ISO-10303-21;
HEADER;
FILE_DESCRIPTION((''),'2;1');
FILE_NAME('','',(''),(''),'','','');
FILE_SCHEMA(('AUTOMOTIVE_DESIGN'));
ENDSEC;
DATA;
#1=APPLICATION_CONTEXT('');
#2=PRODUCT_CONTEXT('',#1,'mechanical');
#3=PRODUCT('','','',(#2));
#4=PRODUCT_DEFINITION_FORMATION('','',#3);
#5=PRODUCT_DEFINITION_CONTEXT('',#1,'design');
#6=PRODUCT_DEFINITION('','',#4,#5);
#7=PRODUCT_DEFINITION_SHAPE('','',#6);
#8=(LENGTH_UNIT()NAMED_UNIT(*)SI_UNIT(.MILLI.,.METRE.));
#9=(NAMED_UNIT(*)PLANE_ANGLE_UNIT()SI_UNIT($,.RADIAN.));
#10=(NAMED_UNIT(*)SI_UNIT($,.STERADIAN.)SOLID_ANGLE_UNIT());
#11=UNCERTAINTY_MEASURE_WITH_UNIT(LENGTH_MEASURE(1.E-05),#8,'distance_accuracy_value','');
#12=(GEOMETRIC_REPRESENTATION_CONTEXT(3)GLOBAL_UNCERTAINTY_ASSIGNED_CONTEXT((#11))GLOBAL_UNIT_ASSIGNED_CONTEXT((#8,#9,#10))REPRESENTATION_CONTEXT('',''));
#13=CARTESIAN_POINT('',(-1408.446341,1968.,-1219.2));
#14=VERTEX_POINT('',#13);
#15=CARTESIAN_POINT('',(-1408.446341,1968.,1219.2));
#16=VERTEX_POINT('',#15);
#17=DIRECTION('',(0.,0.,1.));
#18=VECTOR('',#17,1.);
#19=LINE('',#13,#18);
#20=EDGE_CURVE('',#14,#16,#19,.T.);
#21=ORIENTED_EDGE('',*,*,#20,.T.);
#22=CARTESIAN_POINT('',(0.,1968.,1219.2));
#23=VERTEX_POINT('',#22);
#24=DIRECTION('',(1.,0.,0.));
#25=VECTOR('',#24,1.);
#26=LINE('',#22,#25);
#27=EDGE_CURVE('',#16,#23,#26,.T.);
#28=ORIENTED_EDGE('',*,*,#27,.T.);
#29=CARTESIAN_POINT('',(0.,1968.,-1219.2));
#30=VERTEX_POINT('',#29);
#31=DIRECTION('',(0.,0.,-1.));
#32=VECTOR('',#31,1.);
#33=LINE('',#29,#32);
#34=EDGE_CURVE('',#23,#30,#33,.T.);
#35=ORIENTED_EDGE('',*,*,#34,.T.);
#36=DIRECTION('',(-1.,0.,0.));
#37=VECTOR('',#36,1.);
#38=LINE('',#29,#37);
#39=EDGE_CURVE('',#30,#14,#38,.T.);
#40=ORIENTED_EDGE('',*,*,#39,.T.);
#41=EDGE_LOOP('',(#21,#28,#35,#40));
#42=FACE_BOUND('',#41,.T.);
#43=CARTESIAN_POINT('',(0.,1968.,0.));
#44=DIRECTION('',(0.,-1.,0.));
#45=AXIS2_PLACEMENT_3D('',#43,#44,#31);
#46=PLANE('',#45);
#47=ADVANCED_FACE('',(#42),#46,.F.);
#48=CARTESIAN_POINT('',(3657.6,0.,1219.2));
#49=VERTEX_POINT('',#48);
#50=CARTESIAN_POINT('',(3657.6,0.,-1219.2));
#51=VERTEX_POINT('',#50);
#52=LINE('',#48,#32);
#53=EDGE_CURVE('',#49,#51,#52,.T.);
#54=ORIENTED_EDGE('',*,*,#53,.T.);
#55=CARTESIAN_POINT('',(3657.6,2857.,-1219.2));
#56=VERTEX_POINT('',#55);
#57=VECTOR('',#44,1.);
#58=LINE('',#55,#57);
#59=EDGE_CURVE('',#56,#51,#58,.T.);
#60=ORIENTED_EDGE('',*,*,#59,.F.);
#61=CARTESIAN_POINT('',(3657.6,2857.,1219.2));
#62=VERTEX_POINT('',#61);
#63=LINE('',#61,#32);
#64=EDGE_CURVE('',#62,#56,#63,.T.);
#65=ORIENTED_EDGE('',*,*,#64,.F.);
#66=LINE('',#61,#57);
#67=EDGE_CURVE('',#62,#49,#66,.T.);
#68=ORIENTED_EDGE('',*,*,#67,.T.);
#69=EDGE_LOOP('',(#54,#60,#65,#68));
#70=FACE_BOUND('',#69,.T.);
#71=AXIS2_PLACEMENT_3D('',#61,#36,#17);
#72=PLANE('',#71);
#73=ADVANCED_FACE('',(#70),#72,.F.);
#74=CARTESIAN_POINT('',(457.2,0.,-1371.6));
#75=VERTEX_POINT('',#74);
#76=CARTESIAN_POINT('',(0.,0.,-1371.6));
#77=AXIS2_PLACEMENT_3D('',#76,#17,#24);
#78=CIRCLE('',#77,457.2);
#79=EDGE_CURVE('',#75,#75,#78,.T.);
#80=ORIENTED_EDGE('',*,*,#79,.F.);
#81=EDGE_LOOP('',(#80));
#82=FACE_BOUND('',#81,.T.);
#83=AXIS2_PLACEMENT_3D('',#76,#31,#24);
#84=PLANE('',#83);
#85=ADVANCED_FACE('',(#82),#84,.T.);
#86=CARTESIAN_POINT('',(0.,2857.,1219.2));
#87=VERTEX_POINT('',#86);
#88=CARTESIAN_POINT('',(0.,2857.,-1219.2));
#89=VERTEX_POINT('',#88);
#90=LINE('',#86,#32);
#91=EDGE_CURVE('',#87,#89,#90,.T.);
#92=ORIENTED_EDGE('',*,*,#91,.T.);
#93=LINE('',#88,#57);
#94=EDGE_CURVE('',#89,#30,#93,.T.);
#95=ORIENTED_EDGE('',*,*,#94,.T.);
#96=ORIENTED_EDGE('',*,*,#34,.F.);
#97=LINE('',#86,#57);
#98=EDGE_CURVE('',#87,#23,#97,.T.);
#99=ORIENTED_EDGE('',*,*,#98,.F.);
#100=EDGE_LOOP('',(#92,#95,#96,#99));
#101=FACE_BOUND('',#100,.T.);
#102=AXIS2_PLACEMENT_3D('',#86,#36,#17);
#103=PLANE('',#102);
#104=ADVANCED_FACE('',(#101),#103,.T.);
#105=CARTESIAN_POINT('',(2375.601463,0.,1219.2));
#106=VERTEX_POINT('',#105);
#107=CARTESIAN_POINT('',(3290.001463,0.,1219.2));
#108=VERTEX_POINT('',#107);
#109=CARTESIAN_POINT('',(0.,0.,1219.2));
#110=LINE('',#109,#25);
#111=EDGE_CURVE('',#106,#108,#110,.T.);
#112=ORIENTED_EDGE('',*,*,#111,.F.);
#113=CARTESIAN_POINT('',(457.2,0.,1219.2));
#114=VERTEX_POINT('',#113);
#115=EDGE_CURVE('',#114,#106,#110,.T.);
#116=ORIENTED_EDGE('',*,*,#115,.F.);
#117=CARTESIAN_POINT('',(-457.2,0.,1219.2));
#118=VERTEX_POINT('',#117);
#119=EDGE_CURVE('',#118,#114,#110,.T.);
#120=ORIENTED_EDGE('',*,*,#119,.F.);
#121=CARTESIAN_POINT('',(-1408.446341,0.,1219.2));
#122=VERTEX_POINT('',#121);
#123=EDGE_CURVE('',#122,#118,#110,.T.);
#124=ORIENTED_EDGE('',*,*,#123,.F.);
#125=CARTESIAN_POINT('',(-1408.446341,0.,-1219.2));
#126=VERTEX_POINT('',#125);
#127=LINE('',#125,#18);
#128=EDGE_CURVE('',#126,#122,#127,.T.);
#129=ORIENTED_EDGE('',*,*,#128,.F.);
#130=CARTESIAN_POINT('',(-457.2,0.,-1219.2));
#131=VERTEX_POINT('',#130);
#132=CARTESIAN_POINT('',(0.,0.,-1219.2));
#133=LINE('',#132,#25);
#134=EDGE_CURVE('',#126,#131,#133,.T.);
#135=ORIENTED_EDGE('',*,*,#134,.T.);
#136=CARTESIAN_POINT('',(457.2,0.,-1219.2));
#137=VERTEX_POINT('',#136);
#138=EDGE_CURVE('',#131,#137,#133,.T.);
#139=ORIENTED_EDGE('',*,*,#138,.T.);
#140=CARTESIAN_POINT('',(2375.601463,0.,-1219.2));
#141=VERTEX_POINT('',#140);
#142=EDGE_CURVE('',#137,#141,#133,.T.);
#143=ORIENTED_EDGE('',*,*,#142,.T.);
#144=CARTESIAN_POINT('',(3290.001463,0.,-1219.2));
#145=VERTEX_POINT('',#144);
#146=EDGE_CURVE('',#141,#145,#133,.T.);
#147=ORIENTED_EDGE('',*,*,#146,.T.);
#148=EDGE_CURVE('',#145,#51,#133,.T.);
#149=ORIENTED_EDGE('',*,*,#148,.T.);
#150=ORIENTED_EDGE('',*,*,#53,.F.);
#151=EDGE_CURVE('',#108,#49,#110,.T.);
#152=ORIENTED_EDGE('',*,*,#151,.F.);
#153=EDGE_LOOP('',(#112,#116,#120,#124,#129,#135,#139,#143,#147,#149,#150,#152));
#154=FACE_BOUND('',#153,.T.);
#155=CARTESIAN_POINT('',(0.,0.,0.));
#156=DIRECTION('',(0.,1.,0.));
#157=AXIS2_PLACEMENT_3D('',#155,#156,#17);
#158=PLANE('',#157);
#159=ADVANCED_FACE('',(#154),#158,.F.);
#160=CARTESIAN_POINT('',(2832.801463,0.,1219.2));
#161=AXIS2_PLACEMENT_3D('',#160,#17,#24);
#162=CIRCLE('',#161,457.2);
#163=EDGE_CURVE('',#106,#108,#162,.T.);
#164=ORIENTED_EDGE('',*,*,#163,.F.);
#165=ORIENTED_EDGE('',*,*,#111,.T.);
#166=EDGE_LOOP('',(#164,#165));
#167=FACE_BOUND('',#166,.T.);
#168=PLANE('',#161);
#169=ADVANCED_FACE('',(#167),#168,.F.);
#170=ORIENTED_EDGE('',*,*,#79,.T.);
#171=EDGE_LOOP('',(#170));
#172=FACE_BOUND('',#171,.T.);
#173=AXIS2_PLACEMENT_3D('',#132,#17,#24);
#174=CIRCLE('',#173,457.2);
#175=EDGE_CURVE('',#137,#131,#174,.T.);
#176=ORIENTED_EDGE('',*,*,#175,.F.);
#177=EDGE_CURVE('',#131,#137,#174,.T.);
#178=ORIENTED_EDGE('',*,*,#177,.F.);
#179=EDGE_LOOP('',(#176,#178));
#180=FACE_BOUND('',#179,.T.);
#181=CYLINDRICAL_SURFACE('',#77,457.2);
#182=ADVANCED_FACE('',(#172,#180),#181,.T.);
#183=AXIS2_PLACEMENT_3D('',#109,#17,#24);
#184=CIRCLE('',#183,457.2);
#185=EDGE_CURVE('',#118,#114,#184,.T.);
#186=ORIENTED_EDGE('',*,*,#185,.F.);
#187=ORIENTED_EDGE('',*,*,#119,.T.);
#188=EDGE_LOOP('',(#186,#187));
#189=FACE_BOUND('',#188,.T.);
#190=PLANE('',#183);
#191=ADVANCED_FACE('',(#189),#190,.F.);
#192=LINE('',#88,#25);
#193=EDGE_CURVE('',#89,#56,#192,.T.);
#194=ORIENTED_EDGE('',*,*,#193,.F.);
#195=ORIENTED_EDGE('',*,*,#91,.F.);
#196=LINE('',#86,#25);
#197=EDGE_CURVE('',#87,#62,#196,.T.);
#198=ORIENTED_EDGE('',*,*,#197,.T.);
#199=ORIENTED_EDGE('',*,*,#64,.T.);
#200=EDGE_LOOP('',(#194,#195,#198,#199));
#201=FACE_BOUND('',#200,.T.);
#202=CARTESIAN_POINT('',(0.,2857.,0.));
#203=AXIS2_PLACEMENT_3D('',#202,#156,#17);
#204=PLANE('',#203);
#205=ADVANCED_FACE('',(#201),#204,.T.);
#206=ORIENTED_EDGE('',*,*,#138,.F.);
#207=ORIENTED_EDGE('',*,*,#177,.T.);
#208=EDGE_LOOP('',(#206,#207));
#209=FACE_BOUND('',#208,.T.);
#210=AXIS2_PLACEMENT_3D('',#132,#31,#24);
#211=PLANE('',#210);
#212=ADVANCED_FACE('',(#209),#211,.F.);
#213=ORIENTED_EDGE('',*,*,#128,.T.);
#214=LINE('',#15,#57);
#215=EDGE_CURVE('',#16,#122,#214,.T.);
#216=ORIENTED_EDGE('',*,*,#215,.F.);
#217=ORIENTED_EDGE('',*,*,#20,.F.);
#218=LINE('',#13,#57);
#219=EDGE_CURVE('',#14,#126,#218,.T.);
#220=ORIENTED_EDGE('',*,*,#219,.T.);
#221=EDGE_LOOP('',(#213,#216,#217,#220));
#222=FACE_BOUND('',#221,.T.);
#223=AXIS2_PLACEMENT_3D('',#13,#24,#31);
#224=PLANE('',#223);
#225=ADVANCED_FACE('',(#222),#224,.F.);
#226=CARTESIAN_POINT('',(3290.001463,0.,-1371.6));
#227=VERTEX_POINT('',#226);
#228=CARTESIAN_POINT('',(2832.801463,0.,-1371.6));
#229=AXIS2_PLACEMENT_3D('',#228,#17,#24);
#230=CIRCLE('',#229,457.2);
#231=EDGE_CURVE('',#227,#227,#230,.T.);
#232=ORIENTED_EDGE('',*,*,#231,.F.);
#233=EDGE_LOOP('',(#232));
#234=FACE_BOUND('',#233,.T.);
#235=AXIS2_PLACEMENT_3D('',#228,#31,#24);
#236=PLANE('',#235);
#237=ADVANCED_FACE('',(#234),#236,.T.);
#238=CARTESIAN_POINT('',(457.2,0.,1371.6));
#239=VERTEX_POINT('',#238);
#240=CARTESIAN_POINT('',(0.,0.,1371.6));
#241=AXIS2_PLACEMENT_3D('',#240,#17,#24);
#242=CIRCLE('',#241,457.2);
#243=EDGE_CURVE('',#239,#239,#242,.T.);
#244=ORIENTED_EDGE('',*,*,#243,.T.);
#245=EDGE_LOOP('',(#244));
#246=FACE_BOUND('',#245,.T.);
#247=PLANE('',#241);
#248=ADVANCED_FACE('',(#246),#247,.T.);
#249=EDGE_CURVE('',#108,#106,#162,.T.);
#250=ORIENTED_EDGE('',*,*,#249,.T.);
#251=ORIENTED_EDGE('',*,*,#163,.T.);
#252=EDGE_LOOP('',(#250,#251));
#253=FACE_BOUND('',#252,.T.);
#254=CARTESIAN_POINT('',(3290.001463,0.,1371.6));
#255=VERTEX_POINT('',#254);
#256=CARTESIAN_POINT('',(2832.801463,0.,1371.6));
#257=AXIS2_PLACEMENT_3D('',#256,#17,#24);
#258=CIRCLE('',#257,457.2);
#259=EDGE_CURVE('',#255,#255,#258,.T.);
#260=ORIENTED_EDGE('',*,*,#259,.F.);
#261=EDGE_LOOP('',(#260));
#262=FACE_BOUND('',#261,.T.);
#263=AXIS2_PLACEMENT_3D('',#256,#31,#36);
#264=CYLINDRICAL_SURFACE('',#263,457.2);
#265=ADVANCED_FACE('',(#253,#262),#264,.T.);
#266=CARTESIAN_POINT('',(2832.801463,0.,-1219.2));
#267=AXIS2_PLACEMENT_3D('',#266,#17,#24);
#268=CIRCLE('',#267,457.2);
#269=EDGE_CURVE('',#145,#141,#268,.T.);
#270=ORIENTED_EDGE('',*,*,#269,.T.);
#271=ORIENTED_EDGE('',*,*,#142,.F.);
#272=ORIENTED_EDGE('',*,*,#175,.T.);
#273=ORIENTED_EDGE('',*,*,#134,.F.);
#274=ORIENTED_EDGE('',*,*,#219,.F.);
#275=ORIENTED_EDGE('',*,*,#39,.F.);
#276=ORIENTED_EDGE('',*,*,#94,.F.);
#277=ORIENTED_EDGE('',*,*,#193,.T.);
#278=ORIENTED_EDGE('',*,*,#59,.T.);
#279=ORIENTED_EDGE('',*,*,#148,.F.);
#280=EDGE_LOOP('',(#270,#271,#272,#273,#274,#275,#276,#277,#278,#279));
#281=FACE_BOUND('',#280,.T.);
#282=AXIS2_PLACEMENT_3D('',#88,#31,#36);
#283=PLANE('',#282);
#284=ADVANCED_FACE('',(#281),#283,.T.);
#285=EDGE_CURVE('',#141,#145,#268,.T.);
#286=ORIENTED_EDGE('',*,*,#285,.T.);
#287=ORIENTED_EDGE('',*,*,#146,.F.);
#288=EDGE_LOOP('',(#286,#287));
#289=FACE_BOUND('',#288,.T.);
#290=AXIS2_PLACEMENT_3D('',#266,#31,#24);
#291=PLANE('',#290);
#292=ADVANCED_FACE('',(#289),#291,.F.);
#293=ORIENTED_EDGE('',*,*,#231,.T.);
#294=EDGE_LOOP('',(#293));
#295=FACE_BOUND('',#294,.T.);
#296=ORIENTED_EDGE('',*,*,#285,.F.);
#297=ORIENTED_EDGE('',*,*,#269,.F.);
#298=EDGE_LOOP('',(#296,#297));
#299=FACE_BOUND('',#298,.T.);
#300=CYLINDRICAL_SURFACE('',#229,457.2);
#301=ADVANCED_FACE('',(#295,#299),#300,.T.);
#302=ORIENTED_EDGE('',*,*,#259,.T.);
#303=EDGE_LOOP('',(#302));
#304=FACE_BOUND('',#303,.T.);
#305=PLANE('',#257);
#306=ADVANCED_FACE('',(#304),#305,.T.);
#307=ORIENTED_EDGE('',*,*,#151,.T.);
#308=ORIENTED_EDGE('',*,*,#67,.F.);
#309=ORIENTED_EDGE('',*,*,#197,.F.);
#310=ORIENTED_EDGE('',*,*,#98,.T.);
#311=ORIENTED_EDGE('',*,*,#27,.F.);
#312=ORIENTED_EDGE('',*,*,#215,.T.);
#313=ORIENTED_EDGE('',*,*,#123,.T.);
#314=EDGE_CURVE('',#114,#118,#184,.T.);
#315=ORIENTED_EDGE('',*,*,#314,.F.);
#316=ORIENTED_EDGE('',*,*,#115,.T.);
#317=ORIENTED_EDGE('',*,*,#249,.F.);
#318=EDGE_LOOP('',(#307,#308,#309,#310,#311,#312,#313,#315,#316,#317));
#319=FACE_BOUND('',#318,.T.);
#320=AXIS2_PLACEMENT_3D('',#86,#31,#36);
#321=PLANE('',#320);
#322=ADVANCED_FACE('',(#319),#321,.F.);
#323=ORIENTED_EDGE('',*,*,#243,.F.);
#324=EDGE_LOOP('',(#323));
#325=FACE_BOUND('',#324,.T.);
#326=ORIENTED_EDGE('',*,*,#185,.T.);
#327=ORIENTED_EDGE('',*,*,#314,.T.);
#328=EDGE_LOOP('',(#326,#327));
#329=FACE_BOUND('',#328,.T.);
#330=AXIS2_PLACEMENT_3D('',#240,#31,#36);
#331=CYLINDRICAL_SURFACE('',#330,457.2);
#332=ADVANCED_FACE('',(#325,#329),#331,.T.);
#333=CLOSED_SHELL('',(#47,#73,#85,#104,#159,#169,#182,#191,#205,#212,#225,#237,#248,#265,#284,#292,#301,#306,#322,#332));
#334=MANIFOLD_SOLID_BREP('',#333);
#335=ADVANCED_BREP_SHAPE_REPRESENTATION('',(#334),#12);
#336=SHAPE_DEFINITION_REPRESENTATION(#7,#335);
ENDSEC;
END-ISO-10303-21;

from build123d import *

# Parameters (mm, degrees)
SKETCH1_W           = 3657.6
SKETCH1_H           = 2438.4
BOSS_EXTRUDE1_DEPTH = 2857
SKETCH2_W           = 1408.446340605
SKETCH2_H           = 2438.4
BOSS_EXTRUDE2_DEPTH = 1968
SKETCH3_R           = 457.2
BOSS_EXTRUDE3_DEPTH = 152.4


with BuildPart() as part:
    # Sketch1 → Boss-Extrude1 (new body)
    with BuildSketch(Plane(origin=(0, 0, 0), x_dir=(1, 0, 0), z_dir=(0, 1, 0))):
        with Locations((1828.8, 0)):
            Rectangle(SKETCH1_W, SKETCH1_H)
    extrude(amount=BOSS_EXTRUDE1_DEPTH)

    # Sketch2 → Boss-Extrude2 (add)
    with BuildSketch(Plane(origin=(0, 0, 0), x_dir=(1, 0, 0), z_dir=(0, 1, 0))):
        with Locations((-704.223170303, 0)):
            Rectangle(SKETCH2_W, SKETCH2_H)
    extrude(amount=BOSS_EXTRUDE2_DEPTH)

    # Sketch3 → Boss-Extrude3 (add)
    with BuildSketch(Plane.XY.offset(1219.2)):
        Circle(SKETCH3_R)
        with Locations((2832.801463022, 0)):
            Circle(SKETCH3_R)
    boss_extrude3 = extrude(amount=BOSS_EXTRUDE3_DEPTH)

    # Mirror1: Boss-Extrude3 across plane
    add(boss_extrude3.mirror(Plane.XY))


solid = part.part
